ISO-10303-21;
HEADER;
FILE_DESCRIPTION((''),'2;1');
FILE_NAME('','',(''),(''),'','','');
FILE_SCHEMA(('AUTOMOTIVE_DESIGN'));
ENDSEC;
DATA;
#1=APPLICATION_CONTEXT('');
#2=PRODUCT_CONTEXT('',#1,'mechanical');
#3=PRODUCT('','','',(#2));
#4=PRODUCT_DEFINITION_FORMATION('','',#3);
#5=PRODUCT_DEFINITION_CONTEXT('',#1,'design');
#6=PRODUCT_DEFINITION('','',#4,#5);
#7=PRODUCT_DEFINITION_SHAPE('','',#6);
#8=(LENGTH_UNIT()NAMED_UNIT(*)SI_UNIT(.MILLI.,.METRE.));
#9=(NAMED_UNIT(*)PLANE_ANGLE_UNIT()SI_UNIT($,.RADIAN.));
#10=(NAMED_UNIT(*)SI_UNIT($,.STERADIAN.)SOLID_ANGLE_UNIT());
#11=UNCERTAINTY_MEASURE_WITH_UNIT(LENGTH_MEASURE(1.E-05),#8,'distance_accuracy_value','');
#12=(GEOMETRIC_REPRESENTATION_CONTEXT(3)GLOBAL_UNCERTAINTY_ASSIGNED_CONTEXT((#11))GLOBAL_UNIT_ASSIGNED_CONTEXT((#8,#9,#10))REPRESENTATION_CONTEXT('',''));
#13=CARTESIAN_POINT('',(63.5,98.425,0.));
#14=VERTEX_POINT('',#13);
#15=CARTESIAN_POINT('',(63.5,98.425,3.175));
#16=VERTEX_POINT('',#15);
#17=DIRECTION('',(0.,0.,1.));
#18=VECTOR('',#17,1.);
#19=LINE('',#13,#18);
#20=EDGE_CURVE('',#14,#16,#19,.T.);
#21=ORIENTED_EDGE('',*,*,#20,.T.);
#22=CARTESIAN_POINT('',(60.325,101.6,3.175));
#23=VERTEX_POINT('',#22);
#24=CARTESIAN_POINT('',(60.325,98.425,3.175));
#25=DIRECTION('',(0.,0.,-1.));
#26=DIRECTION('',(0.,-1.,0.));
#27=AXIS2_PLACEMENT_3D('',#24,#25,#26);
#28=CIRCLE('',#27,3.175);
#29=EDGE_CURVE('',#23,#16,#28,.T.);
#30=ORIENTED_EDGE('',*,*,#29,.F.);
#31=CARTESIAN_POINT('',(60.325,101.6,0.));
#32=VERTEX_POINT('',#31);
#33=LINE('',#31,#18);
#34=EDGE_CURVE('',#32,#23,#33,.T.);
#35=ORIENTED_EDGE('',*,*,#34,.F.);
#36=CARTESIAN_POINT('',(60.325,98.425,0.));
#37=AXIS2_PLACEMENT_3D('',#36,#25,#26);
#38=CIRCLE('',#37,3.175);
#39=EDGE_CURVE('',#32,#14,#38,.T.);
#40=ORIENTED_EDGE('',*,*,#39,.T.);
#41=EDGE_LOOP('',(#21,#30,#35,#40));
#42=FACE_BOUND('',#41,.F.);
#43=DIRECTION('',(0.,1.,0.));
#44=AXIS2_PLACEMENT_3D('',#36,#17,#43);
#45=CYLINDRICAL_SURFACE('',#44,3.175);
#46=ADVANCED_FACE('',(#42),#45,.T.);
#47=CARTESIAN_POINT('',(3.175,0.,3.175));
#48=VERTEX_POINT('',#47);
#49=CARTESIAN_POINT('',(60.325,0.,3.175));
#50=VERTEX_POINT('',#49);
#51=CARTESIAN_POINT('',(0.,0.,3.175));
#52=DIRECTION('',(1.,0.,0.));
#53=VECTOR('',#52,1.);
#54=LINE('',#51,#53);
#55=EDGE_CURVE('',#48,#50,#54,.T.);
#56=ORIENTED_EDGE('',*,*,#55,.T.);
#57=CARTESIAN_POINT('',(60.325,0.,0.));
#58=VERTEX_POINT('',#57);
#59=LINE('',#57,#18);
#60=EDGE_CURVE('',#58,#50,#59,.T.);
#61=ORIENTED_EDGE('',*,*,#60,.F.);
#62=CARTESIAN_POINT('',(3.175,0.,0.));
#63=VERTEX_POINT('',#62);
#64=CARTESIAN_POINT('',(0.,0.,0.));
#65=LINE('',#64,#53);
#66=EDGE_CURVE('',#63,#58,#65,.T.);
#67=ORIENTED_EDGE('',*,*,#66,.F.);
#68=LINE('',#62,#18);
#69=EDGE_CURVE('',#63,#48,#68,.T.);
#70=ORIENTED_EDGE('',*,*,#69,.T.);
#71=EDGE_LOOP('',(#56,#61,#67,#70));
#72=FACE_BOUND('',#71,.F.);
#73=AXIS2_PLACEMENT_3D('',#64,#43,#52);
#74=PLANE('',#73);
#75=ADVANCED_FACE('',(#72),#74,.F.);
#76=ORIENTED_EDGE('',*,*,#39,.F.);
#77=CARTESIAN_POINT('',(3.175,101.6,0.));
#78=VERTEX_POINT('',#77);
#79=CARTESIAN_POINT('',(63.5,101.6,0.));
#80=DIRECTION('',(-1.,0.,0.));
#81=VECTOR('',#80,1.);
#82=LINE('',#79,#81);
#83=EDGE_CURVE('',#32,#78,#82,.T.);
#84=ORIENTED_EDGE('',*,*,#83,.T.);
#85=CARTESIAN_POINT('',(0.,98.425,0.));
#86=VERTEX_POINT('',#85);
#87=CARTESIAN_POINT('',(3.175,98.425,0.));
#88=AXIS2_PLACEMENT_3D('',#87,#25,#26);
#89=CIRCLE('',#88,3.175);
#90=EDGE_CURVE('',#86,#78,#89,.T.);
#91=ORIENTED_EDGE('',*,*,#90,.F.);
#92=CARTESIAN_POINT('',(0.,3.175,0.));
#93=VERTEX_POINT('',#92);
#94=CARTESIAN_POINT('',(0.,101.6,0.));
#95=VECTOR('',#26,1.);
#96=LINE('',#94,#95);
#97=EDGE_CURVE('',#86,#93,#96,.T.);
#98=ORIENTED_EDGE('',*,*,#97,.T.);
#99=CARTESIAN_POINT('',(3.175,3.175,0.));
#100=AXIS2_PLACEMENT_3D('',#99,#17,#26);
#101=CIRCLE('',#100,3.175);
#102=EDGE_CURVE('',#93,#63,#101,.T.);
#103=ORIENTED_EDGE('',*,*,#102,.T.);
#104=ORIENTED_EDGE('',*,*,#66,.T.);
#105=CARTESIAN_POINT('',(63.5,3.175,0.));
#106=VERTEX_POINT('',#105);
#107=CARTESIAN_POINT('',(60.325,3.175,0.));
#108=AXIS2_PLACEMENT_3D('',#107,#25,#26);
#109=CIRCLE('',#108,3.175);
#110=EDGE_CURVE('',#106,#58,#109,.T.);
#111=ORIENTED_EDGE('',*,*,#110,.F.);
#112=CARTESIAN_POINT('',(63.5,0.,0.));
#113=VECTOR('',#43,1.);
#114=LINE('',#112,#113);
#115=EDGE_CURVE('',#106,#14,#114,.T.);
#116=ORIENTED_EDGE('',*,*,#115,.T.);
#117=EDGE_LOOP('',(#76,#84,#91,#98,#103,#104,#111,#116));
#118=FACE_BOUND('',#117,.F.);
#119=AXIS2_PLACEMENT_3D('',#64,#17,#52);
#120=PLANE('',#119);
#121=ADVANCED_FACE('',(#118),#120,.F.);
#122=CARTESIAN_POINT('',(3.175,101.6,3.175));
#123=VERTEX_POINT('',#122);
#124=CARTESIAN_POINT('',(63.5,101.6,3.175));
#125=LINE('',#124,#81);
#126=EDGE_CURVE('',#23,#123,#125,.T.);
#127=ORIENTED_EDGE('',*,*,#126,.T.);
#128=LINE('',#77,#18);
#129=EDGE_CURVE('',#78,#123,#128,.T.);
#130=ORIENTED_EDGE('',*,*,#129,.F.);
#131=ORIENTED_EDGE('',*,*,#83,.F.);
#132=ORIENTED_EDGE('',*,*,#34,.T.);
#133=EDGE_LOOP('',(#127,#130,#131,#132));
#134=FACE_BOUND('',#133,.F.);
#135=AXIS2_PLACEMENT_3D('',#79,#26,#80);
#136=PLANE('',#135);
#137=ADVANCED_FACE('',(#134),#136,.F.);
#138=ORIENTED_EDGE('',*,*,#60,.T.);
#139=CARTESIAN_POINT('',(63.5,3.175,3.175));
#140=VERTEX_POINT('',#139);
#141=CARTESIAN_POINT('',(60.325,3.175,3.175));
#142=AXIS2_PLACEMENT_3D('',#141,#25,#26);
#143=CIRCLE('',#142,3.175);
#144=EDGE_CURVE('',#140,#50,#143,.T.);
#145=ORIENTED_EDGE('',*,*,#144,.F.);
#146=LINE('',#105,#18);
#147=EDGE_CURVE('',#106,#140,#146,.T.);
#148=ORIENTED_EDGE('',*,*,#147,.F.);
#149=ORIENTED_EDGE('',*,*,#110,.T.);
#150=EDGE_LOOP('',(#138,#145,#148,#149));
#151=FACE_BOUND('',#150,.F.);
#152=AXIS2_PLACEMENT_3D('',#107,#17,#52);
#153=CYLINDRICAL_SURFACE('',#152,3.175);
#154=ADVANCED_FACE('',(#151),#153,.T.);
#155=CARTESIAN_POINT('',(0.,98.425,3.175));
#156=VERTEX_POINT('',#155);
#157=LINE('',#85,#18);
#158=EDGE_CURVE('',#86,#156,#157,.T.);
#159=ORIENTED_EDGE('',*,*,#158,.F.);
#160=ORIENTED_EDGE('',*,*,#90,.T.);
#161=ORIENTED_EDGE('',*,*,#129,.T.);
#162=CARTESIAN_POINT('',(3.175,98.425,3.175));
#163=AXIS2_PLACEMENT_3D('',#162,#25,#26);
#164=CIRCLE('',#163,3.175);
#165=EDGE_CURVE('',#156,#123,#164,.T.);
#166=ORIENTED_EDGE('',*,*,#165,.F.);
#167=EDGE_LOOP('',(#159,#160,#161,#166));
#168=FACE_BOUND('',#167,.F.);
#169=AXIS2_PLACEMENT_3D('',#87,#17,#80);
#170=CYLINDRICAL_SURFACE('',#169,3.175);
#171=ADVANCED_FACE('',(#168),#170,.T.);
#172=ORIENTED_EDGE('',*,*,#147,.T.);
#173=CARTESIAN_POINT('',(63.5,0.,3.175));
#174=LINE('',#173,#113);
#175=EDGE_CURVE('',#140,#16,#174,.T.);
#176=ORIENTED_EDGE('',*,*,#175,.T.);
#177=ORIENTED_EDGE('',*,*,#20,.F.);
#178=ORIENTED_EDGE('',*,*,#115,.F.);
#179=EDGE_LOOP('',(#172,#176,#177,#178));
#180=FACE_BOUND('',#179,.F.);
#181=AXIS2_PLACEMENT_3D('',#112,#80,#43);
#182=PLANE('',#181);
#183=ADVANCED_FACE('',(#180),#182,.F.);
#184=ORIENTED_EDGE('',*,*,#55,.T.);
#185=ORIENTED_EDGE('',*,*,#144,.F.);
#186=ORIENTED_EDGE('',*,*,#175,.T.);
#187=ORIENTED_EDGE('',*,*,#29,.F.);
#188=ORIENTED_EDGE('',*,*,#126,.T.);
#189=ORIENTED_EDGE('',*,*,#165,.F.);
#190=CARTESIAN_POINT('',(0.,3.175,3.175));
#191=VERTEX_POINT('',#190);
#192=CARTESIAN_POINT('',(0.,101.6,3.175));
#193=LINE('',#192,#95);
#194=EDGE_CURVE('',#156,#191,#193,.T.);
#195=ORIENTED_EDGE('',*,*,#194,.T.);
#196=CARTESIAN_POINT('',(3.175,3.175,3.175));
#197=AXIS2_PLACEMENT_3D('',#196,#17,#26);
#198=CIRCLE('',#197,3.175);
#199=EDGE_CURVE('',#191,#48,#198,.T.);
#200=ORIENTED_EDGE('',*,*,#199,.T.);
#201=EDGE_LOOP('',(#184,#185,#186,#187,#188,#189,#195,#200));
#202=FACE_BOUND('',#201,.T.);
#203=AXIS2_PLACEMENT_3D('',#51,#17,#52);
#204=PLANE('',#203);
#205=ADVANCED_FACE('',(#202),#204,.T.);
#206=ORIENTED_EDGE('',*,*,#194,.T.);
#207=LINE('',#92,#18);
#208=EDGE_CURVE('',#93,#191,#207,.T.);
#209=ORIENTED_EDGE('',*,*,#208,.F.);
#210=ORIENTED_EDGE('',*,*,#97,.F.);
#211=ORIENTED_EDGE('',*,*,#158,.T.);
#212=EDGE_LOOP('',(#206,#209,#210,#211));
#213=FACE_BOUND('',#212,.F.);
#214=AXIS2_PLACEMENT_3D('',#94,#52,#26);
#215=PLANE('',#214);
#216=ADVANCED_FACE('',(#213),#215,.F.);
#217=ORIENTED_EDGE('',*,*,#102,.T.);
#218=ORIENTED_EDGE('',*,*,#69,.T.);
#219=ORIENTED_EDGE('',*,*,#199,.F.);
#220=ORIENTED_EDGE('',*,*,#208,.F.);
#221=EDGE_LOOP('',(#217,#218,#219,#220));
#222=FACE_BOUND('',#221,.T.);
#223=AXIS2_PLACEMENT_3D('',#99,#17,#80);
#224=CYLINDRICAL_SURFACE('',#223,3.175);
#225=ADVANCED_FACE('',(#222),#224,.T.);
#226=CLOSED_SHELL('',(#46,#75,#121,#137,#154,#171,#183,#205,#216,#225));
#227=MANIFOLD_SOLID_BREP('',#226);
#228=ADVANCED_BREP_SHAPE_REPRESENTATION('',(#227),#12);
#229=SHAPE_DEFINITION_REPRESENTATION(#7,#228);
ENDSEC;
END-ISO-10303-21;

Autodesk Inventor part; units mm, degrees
ref_plane "YZ Plane" through (0, 0, 0) normal (1, 0, 0) x (0, 1, 0)
ref_plane "XZ Plane" through (0, 0, 0) normal (0, 1, 0) x (-1, 0, 0)
ref_plane "XY Plane" through (0, 0, 0) normal (0, 0, 1) x (1, 0, 0)
sketch "Sketch1" plane through (0, 0, 0) normal (0, 0, 1) x (1, 0, 0)
  line L0 (0, 0) -> (63.5, 0)
  line L1 (63.5, 0) -> (63.5, 101.6)
  line L2 (63.5, 101.6) -> (0, 101.6)
  line L3 (0, 101.6) -> (0, 0)
  dimension "d0" = 63.5
  dimension "d1" = 101.6
extrude "Extrusion1" add sketch "Sketch1" along normal blind 3.175
fillet "Fillet1" radius 3.175 4 edges at (63.5, 101.6, 1.5875) (0, 101.6, 1.5875) (63.5, 0, 1.5875) (0, 0, 1.5875)
properties part number "motorMount"
